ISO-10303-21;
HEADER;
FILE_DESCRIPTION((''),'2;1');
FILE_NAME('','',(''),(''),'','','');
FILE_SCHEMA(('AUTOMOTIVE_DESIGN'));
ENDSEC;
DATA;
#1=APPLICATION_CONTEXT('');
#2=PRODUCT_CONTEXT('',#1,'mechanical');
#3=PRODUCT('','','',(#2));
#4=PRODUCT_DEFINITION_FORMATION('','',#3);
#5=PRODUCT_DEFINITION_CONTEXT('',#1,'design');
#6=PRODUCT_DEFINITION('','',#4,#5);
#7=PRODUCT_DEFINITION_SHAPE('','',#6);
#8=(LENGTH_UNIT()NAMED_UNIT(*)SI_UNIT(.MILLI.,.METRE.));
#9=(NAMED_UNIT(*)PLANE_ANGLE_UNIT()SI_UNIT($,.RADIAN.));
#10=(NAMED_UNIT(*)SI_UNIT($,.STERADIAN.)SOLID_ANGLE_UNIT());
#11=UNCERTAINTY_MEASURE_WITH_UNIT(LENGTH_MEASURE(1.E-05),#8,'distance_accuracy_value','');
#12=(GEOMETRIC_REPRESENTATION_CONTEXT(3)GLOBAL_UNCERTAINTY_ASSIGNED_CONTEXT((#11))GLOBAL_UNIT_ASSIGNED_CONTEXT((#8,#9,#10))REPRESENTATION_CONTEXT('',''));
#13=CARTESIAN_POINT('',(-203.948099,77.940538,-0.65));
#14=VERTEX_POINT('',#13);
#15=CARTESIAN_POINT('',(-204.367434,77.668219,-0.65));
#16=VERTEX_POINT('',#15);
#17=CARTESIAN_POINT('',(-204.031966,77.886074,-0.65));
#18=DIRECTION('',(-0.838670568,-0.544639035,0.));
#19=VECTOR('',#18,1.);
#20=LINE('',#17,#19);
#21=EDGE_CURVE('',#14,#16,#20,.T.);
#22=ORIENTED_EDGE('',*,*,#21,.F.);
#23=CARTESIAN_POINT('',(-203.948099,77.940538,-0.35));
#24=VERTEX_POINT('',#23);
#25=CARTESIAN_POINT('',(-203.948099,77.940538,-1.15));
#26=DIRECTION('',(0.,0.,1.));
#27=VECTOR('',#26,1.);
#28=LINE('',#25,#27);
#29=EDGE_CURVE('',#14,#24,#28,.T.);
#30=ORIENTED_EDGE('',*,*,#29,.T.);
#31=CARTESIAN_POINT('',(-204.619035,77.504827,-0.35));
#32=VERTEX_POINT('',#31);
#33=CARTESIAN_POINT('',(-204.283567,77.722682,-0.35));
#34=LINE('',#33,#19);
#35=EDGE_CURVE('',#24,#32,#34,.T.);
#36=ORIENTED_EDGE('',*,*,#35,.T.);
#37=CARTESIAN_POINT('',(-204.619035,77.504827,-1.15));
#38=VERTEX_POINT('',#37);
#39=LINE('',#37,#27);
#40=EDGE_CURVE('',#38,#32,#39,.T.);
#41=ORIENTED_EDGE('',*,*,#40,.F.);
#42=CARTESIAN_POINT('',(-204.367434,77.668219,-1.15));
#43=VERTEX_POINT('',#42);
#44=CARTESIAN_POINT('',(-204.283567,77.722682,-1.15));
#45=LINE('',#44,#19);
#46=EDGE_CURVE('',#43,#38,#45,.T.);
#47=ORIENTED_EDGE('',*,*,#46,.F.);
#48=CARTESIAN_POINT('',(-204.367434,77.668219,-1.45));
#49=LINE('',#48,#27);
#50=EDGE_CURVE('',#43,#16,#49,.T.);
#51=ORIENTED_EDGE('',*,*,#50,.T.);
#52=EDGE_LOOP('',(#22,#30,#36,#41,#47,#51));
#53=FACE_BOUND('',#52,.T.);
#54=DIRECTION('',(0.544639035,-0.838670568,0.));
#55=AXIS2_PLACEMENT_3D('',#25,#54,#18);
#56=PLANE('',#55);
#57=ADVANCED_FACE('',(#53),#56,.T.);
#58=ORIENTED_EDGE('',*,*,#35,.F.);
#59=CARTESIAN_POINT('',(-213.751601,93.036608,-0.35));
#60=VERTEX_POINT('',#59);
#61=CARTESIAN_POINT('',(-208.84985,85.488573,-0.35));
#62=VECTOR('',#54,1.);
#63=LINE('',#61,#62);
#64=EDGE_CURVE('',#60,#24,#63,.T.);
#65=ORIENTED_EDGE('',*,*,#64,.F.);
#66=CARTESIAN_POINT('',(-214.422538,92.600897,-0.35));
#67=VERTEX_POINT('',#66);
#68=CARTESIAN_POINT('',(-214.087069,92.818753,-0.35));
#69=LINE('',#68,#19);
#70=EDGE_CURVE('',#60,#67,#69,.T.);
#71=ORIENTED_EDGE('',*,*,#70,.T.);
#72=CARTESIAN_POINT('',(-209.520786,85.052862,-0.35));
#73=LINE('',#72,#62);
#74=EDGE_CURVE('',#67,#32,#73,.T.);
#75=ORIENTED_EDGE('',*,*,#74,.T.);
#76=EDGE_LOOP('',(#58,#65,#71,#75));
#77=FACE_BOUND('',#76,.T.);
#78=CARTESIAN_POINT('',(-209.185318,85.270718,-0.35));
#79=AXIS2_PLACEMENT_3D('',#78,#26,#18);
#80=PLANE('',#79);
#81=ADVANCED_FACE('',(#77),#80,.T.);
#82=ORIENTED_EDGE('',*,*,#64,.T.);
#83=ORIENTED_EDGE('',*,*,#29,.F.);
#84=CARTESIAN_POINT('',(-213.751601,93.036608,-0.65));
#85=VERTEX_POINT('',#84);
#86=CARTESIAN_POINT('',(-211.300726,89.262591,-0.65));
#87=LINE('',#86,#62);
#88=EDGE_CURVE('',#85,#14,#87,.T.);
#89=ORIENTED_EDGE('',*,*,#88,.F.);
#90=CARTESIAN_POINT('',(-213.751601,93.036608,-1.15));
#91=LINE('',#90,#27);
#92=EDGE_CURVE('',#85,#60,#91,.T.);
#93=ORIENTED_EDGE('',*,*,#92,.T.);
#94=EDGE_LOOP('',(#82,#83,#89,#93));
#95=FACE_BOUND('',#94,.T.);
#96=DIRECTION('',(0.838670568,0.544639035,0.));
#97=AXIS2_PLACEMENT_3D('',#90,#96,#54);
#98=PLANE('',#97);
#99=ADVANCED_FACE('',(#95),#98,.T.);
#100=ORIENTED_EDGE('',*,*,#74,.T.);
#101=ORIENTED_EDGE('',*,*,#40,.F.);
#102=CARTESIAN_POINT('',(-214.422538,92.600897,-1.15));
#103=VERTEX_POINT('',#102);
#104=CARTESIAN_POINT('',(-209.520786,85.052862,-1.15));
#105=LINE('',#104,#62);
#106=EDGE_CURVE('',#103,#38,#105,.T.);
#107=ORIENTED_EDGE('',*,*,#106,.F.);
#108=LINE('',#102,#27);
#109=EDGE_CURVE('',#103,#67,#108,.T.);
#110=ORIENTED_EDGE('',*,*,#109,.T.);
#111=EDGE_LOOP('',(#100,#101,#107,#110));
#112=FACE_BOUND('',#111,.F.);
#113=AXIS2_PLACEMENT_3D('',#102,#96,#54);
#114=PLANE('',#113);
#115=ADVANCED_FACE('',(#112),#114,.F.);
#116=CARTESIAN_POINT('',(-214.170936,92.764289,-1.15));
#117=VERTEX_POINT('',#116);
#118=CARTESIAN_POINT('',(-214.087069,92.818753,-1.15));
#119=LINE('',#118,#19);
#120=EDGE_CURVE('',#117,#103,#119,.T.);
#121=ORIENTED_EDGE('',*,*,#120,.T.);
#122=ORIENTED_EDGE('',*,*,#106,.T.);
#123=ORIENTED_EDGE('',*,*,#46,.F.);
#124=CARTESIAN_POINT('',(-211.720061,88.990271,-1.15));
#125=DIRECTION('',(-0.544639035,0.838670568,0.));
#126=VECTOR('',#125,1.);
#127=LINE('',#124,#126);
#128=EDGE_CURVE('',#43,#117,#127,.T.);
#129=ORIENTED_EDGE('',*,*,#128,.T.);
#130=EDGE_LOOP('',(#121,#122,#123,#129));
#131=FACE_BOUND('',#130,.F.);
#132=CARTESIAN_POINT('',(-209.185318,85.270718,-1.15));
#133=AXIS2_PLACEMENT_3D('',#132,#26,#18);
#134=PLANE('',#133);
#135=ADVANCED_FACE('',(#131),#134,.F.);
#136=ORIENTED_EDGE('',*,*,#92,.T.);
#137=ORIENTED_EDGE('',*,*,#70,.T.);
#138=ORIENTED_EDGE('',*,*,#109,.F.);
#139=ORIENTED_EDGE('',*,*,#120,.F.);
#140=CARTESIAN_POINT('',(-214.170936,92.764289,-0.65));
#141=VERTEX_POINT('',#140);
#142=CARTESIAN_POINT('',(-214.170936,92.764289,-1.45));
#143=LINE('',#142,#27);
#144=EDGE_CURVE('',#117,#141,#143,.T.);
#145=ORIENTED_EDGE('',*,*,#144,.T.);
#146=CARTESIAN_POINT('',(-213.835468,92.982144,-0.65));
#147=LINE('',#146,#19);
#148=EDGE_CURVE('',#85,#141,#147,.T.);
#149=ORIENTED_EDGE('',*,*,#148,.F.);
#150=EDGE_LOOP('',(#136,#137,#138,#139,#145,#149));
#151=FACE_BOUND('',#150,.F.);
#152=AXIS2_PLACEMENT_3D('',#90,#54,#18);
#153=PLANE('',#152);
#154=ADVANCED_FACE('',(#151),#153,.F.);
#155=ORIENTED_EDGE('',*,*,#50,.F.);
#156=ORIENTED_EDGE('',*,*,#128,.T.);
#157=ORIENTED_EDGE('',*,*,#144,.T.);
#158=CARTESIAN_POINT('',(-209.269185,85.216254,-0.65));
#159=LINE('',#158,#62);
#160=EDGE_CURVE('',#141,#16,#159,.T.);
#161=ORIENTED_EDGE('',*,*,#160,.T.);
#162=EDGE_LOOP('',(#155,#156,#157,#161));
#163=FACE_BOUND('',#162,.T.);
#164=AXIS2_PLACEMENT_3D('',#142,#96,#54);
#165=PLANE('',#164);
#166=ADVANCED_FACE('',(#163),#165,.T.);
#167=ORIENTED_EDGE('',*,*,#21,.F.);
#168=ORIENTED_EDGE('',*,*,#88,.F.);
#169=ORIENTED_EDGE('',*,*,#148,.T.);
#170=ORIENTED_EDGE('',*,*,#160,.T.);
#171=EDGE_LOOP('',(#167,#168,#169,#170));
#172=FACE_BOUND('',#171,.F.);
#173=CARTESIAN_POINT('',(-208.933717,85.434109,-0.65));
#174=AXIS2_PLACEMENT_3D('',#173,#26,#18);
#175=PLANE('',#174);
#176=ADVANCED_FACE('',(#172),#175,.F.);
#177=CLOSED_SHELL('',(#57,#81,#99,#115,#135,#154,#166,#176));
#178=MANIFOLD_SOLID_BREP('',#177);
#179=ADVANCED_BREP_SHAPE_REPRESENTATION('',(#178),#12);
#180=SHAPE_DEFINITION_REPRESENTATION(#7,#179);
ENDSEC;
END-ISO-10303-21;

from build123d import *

# Parameters (mm, degrees)
BOX161_W               = 0.8
BOX161_H               = 18
BOX161_DEPTH           = 0.8
BOX162_W               = 0.8
BOX162_H               = 18
BOX162_DEPTH           = 0.8
CUT084_PLACEMENT_ANGLE = 213


with BuildPart() as cubo161:
    # Box161 → Box161 (new body)
    with BuildSketch(Plane.XY):
        with Locations((0.4, 9)):
            Rectangle(BOX161_W, BOX161_H)
    extrude(amount=BOX161_DEPTH)


with BuildPart() as perfil_l_2da_cara026:
    # Box162 → Box162 (new body)
    with BuildSketch(Plane(origin=(0.3, 0, 0.3), x_dir=(1, 0, 0), z_dir=(0, 0, 1))):
        with Locations((0.4, 9)):
            Rectangle(BOX162_W, BOX162_H)
    extrude(amount=BOX162_DEPTH)

    # Cut084: cut Cubo161
    add(cubo161.part, mode=Mode.SUBTRACT)


with BuildPart() as perfil_l_2da_cara026_1:
    # Cut084 placement: moved
    add(perfil_l_2da_cara026.part.moved(Location((-213.5, 93.2, -1.45))).rotate(Axis((-213.5, 93.2, -1.45), (0, 0, 1)), CUT084_PLACEMENT_ANGLE))


solid = perfil_l_2da_cara026_1.part
